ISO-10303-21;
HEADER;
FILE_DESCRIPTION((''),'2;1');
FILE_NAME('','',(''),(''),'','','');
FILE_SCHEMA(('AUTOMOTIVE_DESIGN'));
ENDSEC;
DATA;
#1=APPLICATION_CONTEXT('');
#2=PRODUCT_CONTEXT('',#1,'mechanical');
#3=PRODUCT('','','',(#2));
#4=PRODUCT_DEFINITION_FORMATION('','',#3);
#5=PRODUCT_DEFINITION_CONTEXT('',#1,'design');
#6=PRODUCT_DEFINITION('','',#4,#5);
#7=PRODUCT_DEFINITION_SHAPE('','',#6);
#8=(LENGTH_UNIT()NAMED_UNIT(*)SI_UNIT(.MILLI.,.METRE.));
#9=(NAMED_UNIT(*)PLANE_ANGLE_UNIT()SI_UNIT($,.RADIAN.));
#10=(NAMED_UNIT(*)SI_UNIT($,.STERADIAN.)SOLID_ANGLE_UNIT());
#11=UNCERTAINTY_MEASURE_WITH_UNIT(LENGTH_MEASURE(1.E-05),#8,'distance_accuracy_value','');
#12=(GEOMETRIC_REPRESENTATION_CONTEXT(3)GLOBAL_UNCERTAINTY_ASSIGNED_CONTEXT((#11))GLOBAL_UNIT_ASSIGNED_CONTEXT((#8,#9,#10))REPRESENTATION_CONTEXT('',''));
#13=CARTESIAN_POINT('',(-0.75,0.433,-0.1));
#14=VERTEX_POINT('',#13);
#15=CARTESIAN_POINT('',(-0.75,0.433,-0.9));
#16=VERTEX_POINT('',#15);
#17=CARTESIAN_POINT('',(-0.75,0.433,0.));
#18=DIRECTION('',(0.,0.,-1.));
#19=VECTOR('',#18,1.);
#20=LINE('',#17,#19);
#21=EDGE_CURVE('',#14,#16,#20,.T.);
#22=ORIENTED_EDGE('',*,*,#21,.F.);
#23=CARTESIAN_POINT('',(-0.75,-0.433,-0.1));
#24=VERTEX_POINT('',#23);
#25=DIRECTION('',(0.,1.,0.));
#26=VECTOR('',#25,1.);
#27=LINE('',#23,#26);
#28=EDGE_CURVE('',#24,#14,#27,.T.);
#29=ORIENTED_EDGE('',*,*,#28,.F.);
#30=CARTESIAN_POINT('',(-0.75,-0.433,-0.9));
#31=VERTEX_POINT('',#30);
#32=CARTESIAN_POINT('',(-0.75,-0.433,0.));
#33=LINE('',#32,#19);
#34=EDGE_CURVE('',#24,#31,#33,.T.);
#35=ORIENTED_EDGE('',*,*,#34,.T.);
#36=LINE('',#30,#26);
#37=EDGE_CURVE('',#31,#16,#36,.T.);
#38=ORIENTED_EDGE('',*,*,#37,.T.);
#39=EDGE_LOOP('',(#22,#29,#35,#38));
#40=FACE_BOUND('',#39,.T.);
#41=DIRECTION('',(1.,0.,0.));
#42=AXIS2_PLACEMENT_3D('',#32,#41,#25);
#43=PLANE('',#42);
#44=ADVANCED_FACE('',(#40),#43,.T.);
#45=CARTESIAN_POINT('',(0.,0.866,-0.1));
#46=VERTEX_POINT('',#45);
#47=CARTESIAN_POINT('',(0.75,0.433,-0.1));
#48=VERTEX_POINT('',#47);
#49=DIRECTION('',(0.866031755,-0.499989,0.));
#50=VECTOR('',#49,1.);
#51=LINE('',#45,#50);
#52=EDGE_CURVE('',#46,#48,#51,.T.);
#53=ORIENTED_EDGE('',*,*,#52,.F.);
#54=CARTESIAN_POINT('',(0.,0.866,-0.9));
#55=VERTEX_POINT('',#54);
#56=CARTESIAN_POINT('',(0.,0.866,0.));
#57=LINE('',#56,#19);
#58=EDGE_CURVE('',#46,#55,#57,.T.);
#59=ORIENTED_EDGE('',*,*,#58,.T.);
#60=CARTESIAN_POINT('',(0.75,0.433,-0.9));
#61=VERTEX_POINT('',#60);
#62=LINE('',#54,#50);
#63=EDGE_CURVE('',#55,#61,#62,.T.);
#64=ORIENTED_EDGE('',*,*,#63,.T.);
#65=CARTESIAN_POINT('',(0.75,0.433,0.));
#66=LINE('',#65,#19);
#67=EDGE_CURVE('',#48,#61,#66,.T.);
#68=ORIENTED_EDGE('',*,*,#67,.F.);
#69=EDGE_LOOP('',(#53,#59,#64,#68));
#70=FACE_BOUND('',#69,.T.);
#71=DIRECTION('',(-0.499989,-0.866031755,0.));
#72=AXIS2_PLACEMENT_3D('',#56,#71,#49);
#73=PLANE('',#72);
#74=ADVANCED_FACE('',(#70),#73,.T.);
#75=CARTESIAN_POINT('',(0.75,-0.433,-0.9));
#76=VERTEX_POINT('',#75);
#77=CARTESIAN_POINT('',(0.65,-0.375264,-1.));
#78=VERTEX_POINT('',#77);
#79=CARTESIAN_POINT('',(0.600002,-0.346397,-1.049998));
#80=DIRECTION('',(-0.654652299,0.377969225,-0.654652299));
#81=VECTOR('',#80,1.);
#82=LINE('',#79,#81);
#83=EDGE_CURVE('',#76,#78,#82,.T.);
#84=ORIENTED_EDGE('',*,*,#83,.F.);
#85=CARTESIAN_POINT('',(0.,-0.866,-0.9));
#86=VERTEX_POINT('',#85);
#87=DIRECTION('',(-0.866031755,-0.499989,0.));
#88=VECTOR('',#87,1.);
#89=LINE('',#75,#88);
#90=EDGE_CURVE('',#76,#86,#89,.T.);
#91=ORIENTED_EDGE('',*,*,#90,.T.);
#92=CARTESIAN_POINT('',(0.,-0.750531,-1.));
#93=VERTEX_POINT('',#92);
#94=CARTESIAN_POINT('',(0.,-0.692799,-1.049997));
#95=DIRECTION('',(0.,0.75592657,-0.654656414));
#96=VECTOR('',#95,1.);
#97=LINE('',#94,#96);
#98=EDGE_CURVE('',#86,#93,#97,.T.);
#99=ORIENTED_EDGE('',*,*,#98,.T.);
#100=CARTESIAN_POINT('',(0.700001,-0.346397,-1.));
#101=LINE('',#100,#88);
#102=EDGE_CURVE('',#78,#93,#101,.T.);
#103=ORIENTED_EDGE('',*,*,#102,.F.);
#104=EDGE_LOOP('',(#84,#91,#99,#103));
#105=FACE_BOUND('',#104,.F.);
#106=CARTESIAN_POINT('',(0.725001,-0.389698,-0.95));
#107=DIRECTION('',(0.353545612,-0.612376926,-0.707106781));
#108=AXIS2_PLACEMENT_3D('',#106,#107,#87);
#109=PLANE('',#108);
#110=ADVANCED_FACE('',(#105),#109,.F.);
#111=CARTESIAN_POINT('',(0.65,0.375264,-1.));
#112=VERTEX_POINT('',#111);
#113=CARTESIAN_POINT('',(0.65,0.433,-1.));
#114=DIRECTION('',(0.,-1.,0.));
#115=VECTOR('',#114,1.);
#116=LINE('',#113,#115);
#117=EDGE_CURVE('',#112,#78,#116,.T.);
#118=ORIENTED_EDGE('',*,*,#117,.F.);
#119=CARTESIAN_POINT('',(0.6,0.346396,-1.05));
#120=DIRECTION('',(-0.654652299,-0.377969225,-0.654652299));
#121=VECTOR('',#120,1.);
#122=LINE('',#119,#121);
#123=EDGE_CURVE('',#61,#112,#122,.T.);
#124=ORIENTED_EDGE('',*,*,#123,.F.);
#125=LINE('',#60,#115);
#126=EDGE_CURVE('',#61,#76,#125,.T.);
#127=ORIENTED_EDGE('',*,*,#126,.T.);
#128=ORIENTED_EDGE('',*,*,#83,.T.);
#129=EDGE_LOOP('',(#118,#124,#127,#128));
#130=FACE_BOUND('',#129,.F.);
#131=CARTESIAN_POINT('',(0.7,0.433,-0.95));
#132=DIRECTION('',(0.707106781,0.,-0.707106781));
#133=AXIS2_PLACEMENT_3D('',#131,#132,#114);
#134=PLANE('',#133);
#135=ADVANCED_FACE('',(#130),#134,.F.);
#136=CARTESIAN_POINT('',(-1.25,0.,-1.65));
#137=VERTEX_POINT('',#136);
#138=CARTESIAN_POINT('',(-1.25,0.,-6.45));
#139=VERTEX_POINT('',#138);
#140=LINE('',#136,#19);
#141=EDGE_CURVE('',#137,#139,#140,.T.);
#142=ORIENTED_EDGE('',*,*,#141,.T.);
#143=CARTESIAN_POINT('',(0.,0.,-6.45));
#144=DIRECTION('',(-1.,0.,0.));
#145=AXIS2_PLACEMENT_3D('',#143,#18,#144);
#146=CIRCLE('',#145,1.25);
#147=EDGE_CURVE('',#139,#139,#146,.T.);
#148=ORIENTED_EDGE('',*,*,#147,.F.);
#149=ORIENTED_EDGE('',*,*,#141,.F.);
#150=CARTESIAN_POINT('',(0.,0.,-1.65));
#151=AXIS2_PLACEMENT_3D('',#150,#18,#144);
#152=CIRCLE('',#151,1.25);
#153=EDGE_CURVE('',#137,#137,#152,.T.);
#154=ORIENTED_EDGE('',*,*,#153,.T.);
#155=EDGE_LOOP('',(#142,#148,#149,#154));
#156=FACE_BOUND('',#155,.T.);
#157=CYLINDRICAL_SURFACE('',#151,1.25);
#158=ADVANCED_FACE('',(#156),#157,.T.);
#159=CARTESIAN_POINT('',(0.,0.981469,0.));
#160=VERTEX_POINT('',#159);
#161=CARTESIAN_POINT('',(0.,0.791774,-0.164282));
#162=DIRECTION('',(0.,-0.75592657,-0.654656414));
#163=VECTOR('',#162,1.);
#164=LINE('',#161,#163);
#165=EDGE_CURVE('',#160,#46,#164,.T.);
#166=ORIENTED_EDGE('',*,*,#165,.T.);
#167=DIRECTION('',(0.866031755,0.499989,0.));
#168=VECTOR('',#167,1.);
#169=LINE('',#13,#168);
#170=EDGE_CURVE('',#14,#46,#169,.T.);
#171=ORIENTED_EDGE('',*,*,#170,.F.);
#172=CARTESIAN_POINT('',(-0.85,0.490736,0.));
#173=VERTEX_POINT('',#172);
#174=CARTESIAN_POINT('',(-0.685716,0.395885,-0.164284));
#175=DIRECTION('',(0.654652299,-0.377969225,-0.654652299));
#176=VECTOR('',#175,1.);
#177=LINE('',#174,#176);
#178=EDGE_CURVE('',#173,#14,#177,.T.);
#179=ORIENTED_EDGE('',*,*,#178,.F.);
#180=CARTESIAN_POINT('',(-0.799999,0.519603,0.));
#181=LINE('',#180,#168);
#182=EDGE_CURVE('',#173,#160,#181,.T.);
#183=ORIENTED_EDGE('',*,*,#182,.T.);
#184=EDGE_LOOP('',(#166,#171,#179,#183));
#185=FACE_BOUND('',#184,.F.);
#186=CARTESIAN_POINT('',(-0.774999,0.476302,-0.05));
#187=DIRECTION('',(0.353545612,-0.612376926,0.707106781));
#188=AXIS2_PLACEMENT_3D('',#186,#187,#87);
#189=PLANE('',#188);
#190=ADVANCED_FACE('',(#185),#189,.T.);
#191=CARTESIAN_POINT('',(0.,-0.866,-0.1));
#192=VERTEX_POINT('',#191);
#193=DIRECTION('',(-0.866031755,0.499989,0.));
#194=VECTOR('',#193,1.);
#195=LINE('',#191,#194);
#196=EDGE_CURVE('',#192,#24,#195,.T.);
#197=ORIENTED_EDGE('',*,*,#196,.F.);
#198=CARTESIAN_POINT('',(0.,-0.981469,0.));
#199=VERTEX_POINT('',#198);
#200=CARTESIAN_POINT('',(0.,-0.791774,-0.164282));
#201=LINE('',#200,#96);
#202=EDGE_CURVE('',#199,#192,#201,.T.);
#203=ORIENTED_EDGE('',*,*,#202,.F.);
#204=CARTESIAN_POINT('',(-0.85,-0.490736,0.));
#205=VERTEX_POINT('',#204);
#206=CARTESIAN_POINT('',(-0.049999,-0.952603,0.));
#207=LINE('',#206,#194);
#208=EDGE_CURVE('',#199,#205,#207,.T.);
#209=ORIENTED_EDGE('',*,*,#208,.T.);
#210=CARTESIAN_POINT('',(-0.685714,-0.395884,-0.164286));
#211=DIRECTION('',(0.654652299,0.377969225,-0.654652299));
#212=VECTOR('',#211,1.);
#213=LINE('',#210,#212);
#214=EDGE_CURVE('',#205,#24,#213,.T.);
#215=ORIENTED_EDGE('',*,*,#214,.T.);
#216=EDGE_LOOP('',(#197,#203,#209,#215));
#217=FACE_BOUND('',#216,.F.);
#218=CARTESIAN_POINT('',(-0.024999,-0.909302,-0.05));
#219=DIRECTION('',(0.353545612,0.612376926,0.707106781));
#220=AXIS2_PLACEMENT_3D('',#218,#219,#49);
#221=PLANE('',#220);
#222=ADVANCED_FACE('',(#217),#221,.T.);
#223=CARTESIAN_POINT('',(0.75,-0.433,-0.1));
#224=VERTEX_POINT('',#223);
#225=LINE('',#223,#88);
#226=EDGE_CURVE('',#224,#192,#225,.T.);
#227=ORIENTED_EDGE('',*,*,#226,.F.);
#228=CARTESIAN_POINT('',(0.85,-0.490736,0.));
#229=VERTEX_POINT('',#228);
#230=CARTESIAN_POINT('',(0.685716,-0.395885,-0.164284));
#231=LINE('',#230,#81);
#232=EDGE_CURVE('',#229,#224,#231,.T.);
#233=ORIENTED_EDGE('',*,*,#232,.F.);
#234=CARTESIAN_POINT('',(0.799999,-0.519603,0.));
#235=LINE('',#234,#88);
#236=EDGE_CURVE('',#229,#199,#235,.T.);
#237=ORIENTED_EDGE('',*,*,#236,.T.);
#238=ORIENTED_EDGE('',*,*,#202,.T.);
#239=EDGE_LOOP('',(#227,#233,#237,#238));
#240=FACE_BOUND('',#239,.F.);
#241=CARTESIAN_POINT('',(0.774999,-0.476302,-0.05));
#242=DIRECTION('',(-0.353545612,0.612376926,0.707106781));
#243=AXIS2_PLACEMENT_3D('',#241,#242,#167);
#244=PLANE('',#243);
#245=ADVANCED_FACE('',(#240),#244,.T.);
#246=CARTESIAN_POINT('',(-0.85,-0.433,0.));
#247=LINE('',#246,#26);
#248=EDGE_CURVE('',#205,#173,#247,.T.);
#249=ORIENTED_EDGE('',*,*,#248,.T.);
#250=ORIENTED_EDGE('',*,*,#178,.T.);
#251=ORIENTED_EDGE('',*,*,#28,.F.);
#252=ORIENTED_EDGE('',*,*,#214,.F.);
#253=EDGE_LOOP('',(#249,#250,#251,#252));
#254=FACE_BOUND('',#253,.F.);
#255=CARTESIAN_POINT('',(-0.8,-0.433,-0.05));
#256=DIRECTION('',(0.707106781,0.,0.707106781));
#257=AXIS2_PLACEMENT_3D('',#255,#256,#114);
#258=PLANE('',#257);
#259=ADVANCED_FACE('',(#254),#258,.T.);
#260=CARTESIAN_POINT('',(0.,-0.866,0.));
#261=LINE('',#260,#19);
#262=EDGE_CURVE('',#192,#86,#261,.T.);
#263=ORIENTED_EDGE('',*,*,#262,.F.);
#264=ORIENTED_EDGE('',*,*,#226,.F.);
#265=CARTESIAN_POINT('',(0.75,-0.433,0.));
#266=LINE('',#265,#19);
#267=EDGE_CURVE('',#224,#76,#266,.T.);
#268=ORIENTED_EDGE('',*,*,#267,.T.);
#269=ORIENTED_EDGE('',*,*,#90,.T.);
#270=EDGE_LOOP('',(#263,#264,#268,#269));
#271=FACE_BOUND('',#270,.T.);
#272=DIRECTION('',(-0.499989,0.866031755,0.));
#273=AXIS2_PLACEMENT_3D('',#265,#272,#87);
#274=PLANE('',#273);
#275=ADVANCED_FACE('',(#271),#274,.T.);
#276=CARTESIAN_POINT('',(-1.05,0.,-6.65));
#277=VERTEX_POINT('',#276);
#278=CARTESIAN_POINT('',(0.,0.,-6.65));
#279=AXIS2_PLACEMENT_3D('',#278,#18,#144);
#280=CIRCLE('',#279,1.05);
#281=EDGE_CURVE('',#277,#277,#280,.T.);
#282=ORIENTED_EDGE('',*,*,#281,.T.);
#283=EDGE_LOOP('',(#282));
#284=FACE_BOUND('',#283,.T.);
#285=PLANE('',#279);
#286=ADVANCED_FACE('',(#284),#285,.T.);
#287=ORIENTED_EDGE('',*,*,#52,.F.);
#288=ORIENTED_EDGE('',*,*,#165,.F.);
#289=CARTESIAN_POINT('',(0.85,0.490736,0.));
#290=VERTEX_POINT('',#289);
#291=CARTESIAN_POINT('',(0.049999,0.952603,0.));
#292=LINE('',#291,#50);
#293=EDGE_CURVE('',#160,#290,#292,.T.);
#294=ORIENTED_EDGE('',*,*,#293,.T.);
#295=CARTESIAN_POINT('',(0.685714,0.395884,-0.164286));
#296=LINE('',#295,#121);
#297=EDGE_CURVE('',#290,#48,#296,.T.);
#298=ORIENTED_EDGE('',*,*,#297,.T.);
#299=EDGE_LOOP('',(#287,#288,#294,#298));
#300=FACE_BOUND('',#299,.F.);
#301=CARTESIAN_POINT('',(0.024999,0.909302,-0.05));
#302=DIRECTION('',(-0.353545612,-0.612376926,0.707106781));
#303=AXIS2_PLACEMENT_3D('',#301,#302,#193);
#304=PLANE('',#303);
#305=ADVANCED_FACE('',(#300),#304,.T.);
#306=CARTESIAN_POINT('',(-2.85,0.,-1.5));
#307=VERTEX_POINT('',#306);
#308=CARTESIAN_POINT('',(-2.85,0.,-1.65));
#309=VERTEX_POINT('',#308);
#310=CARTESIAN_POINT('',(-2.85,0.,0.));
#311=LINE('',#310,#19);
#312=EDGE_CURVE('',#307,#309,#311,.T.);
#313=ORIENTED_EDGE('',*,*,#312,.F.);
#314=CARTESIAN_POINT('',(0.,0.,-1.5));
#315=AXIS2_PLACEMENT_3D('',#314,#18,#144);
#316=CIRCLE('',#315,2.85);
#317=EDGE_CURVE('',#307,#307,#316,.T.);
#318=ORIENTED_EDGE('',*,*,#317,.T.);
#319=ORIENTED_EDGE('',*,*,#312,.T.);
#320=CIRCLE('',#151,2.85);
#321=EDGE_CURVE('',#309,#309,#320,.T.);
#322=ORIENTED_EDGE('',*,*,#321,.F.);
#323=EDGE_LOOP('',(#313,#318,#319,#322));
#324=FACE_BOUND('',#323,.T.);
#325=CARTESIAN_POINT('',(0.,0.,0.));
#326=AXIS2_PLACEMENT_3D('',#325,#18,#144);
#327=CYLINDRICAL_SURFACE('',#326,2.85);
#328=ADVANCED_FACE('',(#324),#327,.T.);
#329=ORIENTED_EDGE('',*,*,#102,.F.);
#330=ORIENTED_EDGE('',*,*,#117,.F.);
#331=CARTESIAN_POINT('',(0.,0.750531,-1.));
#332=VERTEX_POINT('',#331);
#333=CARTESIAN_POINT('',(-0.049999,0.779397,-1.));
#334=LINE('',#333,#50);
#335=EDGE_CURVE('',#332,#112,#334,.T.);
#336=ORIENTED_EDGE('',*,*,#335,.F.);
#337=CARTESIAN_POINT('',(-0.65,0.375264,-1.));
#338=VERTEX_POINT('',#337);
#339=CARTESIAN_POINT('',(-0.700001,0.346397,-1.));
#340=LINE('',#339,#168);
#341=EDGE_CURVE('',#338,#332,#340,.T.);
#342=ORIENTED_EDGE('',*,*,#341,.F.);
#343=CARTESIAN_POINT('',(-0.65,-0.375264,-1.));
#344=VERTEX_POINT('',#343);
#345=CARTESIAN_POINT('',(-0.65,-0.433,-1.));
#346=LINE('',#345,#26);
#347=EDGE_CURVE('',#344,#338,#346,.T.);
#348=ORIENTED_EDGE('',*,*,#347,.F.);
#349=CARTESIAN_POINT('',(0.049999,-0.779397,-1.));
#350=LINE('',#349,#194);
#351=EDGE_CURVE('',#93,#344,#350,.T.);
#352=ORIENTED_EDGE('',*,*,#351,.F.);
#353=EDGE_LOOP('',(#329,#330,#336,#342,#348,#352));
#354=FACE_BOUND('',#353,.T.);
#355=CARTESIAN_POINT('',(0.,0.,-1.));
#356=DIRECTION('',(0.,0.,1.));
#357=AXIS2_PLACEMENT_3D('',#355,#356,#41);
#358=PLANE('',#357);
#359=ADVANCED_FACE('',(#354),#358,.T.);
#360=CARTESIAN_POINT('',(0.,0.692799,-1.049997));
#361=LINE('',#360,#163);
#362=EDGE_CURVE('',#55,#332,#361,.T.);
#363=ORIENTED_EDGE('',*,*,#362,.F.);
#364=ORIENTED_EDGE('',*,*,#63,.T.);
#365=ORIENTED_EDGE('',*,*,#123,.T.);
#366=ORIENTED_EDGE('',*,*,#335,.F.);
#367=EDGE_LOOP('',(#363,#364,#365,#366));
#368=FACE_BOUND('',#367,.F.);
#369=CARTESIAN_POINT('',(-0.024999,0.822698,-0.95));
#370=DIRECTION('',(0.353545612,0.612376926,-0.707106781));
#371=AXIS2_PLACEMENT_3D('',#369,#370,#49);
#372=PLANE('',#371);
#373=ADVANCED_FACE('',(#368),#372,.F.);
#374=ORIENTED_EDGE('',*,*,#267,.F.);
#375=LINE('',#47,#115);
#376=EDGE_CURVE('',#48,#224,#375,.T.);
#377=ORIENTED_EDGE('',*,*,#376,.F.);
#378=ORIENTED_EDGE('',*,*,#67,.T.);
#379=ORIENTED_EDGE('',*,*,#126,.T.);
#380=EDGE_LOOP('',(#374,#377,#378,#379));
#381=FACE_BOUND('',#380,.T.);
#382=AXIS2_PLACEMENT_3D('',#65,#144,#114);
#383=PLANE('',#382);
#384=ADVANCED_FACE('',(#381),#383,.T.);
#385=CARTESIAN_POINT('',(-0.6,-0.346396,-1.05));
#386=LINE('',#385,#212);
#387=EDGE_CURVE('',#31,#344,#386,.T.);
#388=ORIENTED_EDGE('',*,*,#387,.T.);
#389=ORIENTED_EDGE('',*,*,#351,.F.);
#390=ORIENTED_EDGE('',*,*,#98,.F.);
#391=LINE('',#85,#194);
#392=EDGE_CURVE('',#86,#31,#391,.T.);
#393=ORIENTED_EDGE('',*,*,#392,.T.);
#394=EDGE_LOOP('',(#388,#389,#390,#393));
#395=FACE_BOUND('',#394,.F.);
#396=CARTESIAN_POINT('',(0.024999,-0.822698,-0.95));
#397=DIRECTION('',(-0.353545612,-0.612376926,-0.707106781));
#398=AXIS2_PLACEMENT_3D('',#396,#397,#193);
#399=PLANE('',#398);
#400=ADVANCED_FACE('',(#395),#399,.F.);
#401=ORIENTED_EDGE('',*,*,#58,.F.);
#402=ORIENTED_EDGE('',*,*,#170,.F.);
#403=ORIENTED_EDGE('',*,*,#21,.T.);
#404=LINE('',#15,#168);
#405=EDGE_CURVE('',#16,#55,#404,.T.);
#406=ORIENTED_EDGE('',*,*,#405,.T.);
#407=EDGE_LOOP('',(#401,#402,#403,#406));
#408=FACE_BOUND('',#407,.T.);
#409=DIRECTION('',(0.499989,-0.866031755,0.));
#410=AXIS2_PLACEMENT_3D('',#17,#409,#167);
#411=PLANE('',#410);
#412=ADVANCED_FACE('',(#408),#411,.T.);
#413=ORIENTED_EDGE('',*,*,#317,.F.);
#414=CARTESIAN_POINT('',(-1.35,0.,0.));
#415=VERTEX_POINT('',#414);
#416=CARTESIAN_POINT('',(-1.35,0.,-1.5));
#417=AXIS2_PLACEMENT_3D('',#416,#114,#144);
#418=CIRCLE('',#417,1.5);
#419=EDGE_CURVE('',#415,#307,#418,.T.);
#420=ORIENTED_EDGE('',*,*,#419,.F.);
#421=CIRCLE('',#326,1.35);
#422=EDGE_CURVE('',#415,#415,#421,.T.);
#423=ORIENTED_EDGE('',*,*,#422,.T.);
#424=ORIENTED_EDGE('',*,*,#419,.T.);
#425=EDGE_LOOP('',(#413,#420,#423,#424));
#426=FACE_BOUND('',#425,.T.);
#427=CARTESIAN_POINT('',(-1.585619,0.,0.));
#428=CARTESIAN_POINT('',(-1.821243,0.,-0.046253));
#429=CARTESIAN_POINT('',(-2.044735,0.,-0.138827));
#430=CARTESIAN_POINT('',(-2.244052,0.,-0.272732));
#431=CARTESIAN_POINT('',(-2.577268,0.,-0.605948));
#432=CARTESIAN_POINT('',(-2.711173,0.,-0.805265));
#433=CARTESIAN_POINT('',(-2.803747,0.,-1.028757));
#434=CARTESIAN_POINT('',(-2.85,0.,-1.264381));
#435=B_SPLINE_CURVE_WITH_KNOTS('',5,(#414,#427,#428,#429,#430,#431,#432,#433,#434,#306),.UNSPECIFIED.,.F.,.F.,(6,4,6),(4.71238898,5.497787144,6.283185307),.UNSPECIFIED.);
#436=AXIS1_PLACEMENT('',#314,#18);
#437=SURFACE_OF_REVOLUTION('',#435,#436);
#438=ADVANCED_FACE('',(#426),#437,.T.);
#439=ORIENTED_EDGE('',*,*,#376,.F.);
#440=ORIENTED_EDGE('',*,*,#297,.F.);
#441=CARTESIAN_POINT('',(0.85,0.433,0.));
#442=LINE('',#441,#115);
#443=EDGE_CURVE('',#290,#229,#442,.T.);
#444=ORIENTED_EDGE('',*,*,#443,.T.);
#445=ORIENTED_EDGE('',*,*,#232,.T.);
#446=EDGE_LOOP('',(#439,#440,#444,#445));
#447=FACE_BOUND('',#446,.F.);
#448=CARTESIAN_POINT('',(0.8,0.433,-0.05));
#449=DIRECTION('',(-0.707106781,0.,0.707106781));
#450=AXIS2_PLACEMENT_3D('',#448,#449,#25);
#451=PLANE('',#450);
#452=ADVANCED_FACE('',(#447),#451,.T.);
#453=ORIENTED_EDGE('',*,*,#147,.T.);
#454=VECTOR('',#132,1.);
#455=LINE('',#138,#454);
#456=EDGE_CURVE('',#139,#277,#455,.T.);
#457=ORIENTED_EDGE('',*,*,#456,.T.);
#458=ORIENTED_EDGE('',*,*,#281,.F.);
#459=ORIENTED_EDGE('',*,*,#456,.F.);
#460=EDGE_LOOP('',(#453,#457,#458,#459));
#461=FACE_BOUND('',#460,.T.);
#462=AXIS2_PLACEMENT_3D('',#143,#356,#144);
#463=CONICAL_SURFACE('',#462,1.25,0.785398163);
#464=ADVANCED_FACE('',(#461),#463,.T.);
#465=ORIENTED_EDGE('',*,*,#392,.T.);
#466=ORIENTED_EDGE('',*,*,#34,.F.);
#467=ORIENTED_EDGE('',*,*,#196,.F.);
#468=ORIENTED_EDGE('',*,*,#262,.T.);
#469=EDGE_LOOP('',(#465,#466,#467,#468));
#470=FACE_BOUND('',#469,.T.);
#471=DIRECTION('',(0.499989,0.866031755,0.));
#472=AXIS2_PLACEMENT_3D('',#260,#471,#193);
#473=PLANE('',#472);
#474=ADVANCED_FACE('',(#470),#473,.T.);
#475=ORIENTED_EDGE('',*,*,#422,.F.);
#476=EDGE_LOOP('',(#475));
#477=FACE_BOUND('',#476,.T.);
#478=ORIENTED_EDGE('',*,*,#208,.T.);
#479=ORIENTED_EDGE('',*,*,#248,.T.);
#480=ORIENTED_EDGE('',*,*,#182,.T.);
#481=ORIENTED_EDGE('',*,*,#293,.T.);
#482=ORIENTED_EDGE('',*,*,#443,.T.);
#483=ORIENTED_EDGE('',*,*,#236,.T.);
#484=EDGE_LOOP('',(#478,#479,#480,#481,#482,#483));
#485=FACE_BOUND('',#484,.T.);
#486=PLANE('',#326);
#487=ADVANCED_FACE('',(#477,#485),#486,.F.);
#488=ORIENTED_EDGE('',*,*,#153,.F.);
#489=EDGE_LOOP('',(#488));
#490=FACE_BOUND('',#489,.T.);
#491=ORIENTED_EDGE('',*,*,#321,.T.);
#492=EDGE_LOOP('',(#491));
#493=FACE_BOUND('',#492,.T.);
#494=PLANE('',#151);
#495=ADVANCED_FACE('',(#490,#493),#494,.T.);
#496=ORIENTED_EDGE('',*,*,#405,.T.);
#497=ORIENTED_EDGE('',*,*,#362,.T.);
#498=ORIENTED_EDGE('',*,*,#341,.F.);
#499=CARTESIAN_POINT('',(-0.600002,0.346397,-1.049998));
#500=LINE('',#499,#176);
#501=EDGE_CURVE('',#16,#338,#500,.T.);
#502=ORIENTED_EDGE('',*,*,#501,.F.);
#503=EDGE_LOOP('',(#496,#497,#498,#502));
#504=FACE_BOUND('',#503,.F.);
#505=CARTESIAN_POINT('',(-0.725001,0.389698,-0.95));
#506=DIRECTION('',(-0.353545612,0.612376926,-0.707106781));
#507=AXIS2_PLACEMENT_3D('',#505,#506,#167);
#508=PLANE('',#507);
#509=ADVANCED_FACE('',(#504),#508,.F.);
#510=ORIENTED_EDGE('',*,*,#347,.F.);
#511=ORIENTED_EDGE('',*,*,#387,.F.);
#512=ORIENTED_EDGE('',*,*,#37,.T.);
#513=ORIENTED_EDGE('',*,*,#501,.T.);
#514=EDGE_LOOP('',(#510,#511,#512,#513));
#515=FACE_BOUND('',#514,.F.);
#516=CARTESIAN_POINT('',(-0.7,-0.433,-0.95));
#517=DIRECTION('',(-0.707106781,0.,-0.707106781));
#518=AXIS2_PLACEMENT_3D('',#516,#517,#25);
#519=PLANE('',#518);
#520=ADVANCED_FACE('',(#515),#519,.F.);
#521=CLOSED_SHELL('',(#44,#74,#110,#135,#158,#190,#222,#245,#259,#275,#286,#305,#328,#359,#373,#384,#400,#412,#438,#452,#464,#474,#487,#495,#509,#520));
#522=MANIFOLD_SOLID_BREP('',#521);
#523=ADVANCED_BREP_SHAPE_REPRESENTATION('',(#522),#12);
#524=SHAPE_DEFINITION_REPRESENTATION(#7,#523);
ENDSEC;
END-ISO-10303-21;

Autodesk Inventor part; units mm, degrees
ref_plane "YZ Plane" through (0, 0, 0) normal (1, 0, 0) x (0, 1, 0)
ref_plane "XZ Plane" through (0, 0, 0) normal (0, 1, 0) x (-1, 0, 0)
ref_plane "XY Plane" through (0, 0, 0) normal (0, 0, 1) x (1, 0, 0)
sketch "Sketch2" plane through (0, 0, 0) normal (0, 1, 0) x (-1, 0, 0)
  line L0 (0, 0) -> (2.85, 0)
  line L1 (2.85, 0) -> (2.85, -1.65)
  line L2 (2.85, -1.65) -> (1.25, -1.65)
  line L3 (1.25, -1.65) -> (1.25, -6.65)
  line L4 (1.25, -6.65) -> (0, -6.65)
  line L5 (0, 0) -> (0, -6.65)
  dimension "d9" = 2.85
  dimension "d10" = 1.65
  dimension "d12" = 5
  dimension "d19" = 2.5
revolve "Revolution1" add sketch "Sketch2" angle 360 about axis through (0, 0, 0) along (0, 0, -1)
fillet "Fillet1" radius 1.5 1 edges at (2.85, 0, 0)
chamfer "Chamfer1" distance 0.2 angle 45 1 edges at (1.25, 0, -6.65)
thread "Thread1" size "M2.5x0.45" class "6g" standard "ANSI Metric M Profile" full length
sketch "Sketch4" plane through (0, 0, 0) normal (0, 0, 1) x (1, 0, 0)
  line L0 (0, 0.866) -> (0.75, 0.433)
  line L1 (0.75, 0.433) -> (0.75, -0.433)
  line L2 (0.75, -0.433) -> (0, -0.866)
  line L3 (0, -0.866) -> (-0.75, -0.433)
  line L4 (-0.75, -0.433) -> (-0.75, 0.433)
  line L5 (-0.75, 0.433) -> (0, 0.866)
  circle A0 centre (0, 0) radius 1.05 projected
  point P0 (0, 0)
  dimension "d22" = 1.5
  dimension "d30" = 0.433
extrude "Extrusion2" cut sketch "Sketch4" against normal blind 1 contours L0 L1 L2 L3 L4 L5
chamfer "Chamfer2" distance 0.1 angle 45 12 edges at (-0.75, 0, 0) (-0.375, 0.6495, 0) (0.375, 0.6495, 0) (0.75, 0, 0) (0.375, -0.6495, 0) (-0.375, -0.6495, 0) (-0.375, 0.6495, -1) (-0.75, 0, -1) (-0.375, -0.6495, -1) (0.375, -0.6495, -1) (0.75, 0, -1) (0.375, 0.6495, -1)
properties part number "rapoukHexagonScrewM2,5v0" material "Steel, Carbon"
